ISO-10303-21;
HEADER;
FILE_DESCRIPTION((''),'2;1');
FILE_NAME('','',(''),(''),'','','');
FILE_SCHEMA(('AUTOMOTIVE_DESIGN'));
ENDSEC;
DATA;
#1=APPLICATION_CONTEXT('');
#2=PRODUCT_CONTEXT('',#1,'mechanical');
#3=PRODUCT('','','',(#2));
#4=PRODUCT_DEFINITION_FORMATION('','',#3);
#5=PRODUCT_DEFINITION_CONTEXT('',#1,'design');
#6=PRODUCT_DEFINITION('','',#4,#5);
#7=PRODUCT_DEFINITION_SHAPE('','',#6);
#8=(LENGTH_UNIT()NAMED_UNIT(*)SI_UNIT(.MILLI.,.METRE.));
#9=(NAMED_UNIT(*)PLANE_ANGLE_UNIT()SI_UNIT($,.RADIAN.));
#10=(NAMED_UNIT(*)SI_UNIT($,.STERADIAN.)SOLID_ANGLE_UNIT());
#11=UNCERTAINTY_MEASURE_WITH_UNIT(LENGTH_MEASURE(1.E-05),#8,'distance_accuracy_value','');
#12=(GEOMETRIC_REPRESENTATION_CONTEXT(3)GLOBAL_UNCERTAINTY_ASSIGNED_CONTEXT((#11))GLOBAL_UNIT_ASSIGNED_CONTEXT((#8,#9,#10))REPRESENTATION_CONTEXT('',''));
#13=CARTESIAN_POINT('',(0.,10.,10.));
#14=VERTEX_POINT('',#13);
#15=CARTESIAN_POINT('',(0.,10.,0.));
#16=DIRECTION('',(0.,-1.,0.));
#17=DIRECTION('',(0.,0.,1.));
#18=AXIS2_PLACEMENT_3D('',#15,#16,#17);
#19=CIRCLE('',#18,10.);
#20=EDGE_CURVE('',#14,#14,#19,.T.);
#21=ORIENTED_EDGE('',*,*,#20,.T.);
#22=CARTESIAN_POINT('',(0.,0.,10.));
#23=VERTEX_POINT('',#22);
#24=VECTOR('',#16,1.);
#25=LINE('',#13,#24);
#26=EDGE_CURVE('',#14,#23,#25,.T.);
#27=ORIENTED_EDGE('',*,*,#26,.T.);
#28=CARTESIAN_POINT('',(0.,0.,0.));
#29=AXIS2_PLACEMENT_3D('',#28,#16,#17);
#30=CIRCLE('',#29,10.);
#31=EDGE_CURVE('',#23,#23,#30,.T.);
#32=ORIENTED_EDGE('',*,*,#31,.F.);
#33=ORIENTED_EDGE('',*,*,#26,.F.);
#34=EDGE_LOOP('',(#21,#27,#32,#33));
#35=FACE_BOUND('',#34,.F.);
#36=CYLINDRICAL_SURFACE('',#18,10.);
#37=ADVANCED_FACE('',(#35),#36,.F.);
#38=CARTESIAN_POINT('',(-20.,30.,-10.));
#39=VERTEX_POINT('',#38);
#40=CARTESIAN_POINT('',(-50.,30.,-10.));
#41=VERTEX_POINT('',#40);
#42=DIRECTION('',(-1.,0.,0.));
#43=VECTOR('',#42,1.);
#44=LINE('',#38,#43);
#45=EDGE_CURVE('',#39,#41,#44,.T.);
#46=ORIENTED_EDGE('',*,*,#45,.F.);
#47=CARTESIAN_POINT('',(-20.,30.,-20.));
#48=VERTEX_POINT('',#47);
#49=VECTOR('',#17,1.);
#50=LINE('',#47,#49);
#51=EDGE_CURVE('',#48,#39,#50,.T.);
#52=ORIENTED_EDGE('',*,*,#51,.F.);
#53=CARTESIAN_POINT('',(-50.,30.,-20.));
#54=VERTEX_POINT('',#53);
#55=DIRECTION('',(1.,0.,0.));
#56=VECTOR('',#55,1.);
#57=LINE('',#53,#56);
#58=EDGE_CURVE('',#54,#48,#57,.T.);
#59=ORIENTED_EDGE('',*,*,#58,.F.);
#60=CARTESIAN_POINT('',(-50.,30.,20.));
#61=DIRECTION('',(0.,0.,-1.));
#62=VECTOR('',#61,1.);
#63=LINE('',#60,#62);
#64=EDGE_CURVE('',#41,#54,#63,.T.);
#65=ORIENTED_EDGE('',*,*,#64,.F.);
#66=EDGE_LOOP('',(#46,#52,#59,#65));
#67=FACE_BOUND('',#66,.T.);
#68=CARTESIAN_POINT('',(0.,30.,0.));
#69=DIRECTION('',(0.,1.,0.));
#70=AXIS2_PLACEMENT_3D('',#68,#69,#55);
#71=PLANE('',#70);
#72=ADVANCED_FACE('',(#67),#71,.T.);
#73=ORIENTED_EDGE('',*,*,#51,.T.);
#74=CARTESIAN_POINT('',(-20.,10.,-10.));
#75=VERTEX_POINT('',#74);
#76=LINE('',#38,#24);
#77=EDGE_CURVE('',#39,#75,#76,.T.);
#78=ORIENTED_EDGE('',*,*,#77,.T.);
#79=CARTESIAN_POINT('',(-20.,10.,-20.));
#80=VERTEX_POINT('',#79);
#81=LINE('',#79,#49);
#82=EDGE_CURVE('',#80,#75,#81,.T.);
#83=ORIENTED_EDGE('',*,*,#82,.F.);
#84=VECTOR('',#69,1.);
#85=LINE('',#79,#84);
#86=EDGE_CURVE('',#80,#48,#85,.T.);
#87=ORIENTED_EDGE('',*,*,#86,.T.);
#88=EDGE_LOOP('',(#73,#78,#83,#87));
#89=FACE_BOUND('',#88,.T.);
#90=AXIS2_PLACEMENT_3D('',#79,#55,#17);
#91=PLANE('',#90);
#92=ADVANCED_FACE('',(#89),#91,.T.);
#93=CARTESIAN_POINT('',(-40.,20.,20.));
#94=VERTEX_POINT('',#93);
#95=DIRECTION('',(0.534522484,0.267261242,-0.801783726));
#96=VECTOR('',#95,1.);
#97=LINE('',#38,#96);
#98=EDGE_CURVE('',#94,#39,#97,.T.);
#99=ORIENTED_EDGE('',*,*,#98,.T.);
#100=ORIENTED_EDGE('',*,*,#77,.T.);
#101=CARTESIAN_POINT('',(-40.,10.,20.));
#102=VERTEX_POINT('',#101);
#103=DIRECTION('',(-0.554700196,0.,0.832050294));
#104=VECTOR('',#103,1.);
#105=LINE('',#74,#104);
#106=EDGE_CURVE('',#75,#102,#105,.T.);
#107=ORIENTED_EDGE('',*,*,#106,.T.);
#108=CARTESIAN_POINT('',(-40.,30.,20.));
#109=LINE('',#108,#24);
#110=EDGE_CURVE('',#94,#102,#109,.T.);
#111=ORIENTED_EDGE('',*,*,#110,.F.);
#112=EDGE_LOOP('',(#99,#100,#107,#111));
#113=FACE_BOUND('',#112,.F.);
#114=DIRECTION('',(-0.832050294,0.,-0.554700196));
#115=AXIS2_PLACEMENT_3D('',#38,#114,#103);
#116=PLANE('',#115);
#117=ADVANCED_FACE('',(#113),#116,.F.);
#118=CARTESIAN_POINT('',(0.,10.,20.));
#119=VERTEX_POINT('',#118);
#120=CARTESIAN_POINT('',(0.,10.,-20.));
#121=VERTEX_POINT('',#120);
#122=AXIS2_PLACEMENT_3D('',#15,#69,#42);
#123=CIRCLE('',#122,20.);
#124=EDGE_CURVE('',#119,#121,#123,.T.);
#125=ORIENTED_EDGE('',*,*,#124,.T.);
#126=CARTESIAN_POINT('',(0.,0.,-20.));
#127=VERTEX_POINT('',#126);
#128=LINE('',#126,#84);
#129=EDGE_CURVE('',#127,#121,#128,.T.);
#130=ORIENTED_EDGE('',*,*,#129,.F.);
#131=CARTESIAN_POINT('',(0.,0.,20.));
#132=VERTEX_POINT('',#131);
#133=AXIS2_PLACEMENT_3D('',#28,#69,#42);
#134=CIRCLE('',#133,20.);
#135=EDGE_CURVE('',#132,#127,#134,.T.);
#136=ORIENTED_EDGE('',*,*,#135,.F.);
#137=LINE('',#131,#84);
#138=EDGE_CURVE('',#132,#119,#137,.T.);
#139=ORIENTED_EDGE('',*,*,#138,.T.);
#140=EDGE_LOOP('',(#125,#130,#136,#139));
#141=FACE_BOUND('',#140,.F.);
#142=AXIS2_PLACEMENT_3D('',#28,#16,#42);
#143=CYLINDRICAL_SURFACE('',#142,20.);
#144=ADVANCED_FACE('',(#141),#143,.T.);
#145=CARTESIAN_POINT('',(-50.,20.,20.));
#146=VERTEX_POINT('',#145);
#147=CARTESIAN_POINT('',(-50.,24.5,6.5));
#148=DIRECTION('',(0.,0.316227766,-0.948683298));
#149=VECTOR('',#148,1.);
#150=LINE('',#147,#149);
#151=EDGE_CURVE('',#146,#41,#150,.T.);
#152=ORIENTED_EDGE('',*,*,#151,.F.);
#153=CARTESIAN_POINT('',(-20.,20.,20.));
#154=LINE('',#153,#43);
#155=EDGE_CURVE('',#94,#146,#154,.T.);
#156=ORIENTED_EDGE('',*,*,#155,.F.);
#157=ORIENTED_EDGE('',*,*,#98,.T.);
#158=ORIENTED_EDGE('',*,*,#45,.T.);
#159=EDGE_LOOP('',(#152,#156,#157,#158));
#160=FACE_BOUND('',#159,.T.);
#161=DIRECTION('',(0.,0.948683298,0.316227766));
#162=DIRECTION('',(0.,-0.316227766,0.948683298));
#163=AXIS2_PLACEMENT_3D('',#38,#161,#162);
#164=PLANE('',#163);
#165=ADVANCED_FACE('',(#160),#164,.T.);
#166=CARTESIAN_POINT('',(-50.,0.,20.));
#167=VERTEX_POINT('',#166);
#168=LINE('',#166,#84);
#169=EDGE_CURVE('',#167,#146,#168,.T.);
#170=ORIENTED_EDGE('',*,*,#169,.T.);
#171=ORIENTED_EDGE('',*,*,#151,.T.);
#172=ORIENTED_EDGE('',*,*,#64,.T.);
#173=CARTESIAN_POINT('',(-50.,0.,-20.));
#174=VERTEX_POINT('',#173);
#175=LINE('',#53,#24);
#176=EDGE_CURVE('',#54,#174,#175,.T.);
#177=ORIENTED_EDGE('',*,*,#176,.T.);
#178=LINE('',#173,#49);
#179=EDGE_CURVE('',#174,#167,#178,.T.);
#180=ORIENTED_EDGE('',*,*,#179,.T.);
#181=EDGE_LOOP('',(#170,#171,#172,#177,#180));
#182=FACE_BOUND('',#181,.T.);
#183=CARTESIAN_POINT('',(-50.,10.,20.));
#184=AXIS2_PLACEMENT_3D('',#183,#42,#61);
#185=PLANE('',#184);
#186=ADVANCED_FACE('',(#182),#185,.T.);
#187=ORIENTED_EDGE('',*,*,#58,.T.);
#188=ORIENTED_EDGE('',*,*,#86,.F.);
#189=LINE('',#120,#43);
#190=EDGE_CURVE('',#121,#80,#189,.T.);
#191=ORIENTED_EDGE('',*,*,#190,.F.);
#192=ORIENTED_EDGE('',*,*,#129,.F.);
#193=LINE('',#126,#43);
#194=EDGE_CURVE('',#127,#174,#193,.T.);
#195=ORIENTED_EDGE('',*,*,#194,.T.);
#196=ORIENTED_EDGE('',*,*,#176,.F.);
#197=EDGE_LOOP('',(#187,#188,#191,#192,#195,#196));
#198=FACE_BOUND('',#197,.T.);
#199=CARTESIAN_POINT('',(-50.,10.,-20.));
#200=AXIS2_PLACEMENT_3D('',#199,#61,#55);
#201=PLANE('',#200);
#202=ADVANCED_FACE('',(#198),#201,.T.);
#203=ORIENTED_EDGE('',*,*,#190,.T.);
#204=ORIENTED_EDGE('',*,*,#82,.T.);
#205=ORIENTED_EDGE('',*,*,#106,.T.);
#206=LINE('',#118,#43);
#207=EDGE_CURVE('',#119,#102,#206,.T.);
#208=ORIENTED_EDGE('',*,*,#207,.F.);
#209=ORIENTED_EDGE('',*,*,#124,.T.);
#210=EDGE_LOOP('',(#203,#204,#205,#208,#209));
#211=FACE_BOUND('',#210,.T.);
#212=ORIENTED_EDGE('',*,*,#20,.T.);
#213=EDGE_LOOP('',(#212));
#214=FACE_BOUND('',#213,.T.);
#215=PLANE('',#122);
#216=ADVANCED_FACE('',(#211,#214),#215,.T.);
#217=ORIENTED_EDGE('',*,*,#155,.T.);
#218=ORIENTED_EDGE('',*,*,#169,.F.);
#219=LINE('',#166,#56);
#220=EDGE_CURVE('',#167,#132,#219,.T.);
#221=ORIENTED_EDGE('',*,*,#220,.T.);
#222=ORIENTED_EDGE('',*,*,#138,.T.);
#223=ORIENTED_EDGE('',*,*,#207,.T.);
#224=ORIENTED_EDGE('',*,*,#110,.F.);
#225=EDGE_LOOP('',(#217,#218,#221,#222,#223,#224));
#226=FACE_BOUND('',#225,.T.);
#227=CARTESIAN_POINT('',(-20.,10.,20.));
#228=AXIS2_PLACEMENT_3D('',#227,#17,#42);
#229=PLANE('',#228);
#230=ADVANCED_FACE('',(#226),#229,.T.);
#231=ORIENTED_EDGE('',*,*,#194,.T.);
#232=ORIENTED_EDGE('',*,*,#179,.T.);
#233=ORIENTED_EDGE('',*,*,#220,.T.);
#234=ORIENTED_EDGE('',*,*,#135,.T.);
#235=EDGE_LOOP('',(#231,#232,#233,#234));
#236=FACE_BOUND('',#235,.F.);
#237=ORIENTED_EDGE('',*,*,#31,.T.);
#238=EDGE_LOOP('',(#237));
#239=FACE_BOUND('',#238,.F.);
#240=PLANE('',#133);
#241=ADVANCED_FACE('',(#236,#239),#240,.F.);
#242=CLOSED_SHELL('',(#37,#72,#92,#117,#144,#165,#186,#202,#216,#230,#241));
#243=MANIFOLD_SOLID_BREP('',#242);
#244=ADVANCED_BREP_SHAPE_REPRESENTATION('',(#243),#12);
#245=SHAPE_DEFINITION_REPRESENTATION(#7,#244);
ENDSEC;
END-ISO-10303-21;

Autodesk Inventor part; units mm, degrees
ref_plane "YZ Plane" through (0, 0, 0) normal (1, 0, 0) x (0, 1, 0)
ref_plane "XZ Plane" through (0, 0, 0) normal (0, 1, 0) x (-1, 0, 0)
ref_plane "XY Plane" through (0, 0, 0) normal (0, 0, 1) x (1, 0, 0)
sketch "草圖1" plane through (0, 0, 0) normal (0, 1, 0) x (-1, 0, 0)
  circle A0 centre (0, 0) radius 20
  line L0 (0, -20) -> (50, -20)
  line L1 (50, -20) -> (50, 20)
  line L2 (50, 20) -> (0, 20)
  line L3 (0, 20) -> (0, -20)
  point P0 (0, 20)
  dimension "d0" = 40
  dimension "d1" = 50
extrude "擠出1" add sketch "草圖1" along normal blind 10
sketch "草圖2" plane through (0, 10, 0) normal (0, 1, 0) x (1, 0, 0)
  line L0 (-50, -20) -> (-50, 20) projected
  line L1 (-50, 20) -> (0, 20) projected
  arc A0 (0, -20) -> (0, 20) centre (0, 0) ccw projected
  line L2 (0, -20) -> (-50, -20) projected
  line L3 (-50, -20) -> (-50, 20) projected
  line L4 (-50, 20) -> (0, 20) projected
  arc A1 (0, -20) -> (0, 20) centre (0, 0) ccw projected
  line L5 (0, -20) -> (-50, -20) projected
  line L6 (0, 20) -> (-50, 20) projected
  line L7 (-50, 20) -> (-20, 20)
  line L8 (-20, 20) -> (-20, -20)
  line L9 (-20, -20) -> (-50, -20)
  line L10 (-50, -20) -> (-50, 20)
  line L11 (-50, -20) -> (0, -20) projected
  point P0 (-20, -20)
  point P1 (-20, 20)
  dimension "d4" = 30
extrude "擠出2" add sketch "草圖2" along normal blind 20 contours L0 L1 L8 L2
sketch "草圖3" plane through (0, 30, 0) normal (0, 1, 0) x (1, 0, 0)
  line L0 (-50, -20) -> (-50, 20) projected
  line L1 (-50, 20) -> (-20, 20) projected
  line L2 (-20, 20) -> (-20, -20) projected
  line L3 (-20, -20) -> (-50, -20) projected
  line L4 (-20, 10) -> (-40, -20)
  point P0 (0, 0)
  dimension "d7" = 10
  dimension "d8" = 10
extrude "擠出3" cut sketch "草圖3" against normal up to surface (20 mm away) contours L4 L2 L3
sketch "草圖6" plane through (-20, 10, -20) normal (1, 0, 0) x (0, 0, -1)
  line L0 (-10, 0) -> (-10, 20) projected
  line L1 (-10, 20) -> (0, 20) projected
  line L2 (0, 20) -> (0, 0) projected
  line L3 (-10, 0) -> (0, 0) projected
  line L4 (-40, 0) -> (-10, 0) projected
  line L5 (-40, -10) -> (-40, 0) projected
  line L6 (0, -10) -> (-40, -10) projected
  line L7 (0, 0) -> (0, -10) projected
  line L8 (-10, 20) -> (-10, 0) projected
  line L9 (-10, 20) -> (-40, 10)
  line L10 (-40, 10) -> (-10, 10)
  line L11 (-10, 10) -> (-10, 20)
  line L12 (-40, 0) -> (-40, 20) projected
  line L13 (-40, 20) -> (-10, 20) projected
  point P0 (-20, -10)
  dimension "d14" = 10
extrude "擠出4" cut sketch "草圖6" against normal blind 85.25 contours L9 L12 L13
sketch "草圖7" plane through (0, 10, 0) normal (0, 1, 0) x (1, 0, 0)
  arc A0 (0, -20) -> (0, 20) centre (0, 0) ccw projected
hole "孔1" at (0, 10, 0) direction (0, -1, 0) diameter 20 end through all
properties part number "27" material "鋼、碳鋼"
